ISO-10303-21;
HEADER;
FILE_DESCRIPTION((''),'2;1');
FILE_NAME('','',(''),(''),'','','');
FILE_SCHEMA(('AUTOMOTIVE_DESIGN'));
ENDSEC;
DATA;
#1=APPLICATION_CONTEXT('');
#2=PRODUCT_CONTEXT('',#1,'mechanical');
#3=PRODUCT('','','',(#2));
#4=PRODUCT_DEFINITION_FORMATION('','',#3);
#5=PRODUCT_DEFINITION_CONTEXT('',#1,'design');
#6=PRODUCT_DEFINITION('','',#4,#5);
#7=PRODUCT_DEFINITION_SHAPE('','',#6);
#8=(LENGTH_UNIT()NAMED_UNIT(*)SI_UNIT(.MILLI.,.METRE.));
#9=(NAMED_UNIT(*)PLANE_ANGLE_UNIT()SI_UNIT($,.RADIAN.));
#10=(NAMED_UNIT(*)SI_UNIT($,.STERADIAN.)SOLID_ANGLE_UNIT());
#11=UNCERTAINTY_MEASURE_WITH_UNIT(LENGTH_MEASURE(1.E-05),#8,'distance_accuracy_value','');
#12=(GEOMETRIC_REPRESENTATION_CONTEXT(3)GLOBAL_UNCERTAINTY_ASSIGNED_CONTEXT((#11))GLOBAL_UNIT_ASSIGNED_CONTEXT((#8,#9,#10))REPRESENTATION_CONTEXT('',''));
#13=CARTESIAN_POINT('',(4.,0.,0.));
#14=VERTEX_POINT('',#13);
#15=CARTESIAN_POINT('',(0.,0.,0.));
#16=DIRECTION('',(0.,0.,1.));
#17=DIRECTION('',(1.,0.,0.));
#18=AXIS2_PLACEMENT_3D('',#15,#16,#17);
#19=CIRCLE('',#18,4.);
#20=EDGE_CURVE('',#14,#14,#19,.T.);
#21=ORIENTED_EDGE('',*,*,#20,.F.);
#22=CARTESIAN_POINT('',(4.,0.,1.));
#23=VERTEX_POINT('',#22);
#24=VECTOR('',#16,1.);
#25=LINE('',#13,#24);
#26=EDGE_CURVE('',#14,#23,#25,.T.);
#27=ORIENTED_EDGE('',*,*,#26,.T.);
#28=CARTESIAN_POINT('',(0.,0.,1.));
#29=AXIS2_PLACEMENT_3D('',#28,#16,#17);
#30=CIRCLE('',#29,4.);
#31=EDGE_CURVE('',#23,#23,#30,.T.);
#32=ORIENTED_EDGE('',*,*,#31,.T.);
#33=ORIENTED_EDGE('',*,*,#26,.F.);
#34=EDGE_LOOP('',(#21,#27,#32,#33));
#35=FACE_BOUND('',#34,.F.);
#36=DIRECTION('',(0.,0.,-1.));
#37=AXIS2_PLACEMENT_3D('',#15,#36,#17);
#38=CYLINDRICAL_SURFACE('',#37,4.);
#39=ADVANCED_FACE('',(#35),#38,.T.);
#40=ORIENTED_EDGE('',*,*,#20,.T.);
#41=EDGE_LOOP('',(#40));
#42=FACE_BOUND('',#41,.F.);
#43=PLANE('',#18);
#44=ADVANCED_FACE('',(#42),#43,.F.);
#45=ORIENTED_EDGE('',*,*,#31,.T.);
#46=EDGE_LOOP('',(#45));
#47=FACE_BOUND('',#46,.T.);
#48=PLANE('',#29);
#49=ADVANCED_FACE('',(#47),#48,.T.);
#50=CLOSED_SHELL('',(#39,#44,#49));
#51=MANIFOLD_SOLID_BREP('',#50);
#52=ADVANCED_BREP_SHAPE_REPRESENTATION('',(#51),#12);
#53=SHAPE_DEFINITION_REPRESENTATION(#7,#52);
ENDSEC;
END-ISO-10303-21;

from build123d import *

# Parameters (mm, degrees)
SKETCH_1_R      = 4
EXTRUDE_1_DEPTH = 1


with BuildPart() as part:
    # 草图1 → 凸台-拉伸1 (new body)
    with BuildSketch(Plane.XY):
        Circle(SKETCH_1_R)
    extrude(amount=EXTRUDE_1_DEPTH)


solid = part.part
